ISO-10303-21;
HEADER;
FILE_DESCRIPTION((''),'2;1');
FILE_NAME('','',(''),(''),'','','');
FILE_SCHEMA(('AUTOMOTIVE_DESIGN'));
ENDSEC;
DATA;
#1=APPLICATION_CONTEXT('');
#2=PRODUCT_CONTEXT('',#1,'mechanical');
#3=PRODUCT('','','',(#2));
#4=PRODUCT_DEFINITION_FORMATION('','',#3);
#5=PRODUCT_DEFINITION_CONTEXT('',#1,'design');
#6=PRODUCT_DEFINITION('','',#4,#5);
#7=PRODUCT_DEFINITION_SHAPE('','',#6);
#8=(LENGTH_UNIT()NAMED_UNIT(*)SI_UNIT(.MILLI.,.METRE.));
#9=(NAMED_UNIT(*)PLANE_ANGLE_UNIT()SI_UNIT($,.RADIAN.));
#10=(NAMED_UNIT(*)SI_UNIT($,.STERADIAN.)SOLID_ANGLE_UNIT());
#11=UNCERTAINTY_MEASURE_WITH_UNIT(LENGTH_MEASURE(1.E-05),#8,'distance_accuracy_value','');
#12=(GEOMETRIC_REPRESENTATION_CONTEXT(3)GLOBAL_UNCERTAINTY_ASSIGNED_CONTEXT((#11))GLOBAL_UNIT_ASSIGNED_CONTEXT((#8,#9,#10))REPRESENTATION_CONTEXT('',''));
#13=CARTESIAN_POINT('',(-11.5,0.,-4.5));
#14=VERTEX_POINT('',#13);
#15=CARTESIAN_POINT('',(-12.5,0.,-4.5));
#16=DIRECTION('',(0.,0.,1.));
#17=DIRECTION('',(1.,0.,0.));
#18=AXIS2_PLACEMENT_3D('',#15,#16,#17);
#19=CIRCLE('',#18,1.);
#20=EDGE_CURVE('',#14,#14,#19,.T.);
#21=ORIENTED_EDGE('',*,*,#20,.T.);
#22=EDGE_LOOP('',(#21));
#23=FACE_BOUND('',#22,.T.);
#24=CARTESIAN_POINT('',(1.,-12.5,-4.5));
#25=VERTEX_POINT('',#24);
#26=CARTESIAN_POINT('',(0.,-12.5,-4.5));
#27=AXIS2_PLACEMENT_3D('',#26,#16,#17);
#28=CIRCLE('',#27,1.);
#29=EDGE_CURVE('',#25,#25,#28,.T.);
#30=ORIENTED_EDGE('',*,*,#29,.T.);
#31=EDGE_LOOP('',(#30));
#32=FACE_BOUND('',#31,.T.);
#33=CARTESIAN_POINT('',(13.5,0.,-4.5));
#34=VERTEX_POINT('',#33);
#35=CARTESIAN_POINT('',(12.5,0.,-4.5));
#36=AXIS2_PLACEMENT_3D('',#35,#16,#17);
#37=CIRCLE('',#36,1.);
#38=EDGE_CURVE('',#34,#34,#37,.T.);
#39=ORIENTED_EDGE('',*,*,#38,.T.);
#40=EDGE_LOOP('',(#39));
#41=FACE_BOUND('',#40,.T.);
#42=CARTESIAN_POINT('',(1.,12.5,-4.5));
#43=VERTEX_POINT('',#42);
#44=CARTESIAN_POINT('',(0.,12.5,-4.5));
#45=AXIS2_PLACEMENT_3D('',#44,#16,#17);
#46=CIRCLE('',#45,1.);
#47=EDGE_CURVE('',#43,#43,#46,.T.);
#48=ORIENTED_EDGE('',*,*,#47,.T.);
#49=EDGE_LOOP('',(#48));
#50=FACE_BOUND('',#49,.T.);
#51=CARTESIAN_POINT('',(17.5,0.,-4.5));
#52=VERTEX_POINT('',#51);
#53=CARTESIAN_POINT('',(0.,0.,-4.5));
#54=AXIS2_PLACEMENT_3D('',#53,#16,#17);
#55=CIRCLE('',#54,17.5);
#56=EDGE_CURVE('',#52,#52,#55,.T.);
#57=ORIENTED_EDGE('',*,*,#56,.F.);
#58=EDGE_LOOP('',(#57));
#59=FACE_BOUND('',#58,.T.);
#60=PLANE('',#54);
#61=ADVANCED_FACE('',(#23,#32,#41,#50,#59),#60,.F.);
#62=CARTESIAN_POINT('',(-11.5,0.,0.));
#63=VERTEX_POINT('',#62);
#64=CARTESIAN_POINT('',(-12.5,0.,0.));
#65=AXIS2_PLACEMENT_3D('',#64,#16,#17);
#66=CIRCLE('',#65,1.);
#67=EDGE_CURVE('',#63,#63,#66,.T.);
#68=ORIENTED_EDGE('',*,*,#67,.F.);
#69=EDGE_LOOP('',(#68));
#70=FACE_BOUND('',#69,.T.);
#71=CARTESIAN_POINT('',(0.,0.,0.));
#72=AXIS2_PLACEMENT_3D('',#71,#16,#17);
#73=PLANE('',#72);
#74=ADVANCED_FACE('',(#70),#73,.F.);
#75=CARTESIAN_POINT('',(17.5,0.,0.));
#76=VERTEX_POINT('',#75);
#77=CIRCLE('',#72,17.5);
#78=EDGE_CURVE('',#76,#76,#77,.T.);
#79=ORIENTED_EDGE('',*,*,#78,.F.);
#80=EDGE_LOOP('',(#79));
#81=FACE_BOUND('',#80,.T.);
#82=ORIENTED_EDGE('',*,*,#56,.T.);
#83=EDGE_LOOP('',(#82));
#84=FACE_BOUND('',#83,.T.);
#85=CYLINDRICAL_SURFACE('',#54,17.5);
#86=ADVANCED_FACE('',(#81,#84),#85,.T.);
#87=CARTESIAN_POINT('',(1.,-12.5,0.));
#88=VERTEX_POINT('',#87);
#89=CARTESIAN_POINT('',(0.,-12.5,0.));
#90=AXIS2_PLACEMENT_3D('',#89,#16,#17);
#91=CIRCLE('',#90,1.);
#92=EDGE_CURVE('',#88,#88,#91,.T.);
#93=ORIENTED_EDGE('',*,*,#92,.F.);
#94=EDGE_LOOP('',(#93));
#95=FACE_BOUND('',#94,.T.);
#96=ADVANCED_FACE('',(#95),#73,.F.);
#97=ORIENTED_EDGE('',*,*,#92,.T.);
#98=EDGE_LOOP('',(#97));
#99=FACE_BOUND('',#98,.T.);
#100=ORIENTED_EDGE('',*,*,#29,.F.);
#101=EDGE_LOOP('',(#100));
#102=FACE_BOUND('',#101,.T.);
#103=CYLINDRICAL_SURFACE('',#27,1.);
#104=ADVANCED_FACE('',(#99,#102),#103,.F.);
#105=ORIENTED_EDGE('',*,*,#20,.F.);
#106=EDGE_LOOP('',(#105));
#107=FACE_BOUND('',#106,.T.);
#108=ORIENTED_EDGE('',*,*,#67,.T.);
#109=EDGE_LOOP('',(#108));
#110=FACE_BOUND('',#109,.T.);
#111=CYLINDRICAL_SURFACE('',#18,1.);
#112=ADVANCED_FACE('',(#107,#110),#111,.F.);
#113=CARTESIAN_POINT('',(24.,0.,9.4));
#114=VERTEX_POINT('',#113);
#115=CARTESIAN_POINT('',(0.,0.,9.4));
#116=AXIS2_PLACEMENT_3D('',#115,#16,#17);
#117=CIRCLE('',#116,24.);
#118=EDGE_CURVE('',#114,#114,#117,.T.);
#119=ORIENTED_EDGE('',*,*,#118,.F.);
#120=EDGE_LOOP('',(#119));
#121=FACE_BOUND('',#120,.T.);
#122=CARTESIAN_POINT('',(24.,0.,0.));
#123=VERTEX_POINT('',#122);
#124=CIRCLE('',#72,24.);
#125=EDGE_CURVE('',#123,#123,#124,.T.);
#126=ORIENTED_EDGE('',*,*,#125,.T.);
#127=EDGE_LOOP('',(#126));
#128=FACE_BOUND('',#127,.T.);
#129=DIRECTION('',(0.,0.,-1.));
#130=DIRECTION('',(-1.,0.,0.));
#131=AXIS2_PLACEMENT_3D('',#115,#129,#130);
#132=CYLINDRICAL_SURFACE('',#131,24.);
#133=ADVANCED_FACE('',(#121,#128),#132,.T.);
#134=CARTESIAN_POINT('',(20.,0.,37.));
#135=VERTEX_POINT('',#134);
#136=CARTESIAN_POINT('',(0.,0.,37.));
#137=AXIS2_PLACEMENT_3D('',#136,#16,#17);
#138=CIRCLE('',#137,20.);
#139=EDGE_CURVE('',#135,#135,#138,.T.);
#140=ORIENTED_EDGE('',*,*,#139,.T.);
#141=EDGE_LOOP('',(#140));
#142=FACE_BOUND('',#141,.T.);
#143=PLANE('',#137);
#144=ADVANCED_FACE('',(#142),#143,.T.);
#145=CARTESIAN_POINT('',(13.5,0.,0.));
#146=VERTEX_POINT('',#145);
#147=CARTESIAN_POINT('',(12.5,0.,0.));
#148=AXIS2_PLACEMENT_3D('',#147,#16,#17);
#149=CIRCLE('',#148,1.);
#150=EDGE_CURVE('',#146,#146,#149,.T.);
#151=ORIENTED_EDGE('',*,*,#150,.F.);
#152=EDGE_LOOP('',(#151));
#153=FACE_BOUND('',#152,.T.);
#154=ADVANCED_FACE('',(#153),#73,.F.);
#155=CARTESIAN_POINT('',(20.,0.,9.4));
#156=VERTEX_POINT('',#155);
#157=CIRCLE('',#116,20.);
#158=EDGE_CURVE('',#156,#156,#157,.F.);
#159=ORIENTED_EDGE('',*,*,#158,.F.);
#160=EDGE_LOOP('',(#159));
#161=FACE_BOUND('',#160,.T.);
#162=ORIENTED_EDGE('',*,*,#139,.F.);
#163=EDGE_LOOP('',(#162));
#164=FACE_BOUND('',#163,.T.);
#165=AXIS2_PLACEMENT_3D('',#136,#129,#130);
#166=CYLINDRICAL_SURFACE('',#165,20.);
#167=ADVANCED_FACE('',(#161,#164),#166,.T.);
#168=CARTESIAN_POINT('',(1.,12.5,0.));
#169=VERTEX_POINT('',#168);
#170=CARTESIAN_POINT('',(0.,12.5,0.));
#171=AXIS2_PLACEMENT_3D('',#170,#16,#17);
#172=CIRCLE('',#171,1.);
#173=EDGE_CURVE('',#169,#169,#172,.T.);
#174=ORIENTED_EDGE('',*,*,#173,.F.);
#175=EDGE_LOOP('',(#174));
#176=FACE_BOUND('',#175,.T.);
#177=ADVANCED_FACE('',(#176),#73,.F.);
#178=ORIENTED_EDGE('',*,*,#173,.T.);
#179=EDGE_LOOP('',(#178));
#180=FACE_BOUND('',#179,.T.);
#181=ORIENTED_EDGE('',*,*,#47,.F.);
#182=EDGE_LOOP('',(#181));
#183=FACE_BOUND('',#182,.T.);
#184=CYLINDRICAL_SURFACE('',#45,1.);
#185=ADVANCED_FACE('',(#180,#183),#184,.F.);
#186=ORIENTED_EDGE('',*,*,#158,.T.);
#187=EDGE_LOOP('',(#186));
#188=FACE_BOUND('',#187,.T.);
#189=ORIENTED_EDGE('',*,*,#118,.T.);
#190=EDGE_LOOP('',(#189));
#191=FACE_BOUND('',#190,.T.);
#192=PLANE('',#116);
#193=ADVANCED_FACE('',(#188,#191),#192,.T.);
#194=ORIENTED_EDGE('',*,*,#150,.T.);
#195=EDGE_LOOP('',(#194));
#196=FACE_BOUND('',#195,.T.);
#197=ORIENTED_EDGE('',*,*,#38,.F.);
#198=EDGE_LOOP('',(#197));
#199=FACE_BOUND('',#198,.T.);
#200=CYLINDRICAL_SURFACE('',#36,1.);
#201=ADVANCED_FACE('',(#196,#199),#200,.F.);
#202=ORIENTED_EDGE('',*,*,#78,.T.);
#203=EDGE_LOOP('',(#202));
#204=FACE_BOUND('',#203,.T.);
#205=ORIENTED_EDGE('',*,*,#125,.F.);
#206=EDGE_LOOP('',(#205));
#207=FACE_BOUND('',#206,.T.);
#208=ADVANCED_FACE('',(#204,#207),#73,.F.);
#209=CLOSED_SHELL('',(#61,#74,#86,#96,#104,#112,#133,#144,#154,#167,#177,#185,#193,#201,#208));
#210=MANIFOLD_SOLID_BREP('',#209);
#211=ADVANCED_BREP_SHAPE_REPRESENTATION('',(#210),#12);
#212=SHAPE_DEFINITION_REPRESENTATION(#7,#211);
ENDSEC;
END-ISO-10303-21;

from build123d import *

# Parameters (mm, degrees)
SKETCH1_R           = 24
SKETCH1_R_2         = 1
BOSS_EXTRUDE1_DEPTH = 9.4
SKETCH1_4_R         = 20
BOSS_EXTRUDE2_DEPTH = 37
SKETCH1_5_R         = 17.5
SKETCH1_5_R_2       = 1
BOSS_EXTRUDE3_DEPTH = 4.5


with BuildPart() as part:
    # Sketch1 → Boss-Extrude1 (new body)
    with BuildSketch(Plane.XY):
        Circle(SKETCH1_R)
        with Locations((0, 12.5)):
            Circle(SKETCH1_R_2, mode=Mode.SUBTRACT)
        with Locations((0, -12.5)):
            Circle(SKETCH1_R_2, mode=Mode.SUBTRACT)
        with Locations((12.5, 0)):
            Circle(SKETCH1_R_2, mode=Mode.SUBTRACT)
        with Locations((-12.5, 0)):
            Circle(SKETCH1_R_2, mode=Mode.SUBTRACT)
    extrude(amount=BOSS_EXTRUDE1_DEPTH)

    # Sketch1<4> → Boss-Extrude2 (add)
    with BuildSketch(Plane.XY):
        Circle(SKETCH1_4_R)
    extrude(amount=BOSS_EXTRUDE2_DEPTH)

    # Sketch1<5> → Boss-Extrude3 (add)
    with BuildSketch(Plane.XY):
        Circle(SKETCH1_5_R)
        with Locations((0, -12.5)):
            Circle(SKETCH1_5_R_2, mode=Mode.SUBTRACT)
        with Locations((12.5, 0)):
            Circle(SKETCH1_5_R_2, mode=Mode.SUBTRACT)
        with Locations((-12.5, 0)):
            Circle(SKETCH1_5_R_2, mode=Mode.SUBTRACT)
        with Locations((0, 12.5)):
            Circle(SKETCH1_5_R_2, mode=Mode.SUBTRACT)
    extrude(amount=-BOSS_EXTRUDE3_DEPTH)


solid = part.part
